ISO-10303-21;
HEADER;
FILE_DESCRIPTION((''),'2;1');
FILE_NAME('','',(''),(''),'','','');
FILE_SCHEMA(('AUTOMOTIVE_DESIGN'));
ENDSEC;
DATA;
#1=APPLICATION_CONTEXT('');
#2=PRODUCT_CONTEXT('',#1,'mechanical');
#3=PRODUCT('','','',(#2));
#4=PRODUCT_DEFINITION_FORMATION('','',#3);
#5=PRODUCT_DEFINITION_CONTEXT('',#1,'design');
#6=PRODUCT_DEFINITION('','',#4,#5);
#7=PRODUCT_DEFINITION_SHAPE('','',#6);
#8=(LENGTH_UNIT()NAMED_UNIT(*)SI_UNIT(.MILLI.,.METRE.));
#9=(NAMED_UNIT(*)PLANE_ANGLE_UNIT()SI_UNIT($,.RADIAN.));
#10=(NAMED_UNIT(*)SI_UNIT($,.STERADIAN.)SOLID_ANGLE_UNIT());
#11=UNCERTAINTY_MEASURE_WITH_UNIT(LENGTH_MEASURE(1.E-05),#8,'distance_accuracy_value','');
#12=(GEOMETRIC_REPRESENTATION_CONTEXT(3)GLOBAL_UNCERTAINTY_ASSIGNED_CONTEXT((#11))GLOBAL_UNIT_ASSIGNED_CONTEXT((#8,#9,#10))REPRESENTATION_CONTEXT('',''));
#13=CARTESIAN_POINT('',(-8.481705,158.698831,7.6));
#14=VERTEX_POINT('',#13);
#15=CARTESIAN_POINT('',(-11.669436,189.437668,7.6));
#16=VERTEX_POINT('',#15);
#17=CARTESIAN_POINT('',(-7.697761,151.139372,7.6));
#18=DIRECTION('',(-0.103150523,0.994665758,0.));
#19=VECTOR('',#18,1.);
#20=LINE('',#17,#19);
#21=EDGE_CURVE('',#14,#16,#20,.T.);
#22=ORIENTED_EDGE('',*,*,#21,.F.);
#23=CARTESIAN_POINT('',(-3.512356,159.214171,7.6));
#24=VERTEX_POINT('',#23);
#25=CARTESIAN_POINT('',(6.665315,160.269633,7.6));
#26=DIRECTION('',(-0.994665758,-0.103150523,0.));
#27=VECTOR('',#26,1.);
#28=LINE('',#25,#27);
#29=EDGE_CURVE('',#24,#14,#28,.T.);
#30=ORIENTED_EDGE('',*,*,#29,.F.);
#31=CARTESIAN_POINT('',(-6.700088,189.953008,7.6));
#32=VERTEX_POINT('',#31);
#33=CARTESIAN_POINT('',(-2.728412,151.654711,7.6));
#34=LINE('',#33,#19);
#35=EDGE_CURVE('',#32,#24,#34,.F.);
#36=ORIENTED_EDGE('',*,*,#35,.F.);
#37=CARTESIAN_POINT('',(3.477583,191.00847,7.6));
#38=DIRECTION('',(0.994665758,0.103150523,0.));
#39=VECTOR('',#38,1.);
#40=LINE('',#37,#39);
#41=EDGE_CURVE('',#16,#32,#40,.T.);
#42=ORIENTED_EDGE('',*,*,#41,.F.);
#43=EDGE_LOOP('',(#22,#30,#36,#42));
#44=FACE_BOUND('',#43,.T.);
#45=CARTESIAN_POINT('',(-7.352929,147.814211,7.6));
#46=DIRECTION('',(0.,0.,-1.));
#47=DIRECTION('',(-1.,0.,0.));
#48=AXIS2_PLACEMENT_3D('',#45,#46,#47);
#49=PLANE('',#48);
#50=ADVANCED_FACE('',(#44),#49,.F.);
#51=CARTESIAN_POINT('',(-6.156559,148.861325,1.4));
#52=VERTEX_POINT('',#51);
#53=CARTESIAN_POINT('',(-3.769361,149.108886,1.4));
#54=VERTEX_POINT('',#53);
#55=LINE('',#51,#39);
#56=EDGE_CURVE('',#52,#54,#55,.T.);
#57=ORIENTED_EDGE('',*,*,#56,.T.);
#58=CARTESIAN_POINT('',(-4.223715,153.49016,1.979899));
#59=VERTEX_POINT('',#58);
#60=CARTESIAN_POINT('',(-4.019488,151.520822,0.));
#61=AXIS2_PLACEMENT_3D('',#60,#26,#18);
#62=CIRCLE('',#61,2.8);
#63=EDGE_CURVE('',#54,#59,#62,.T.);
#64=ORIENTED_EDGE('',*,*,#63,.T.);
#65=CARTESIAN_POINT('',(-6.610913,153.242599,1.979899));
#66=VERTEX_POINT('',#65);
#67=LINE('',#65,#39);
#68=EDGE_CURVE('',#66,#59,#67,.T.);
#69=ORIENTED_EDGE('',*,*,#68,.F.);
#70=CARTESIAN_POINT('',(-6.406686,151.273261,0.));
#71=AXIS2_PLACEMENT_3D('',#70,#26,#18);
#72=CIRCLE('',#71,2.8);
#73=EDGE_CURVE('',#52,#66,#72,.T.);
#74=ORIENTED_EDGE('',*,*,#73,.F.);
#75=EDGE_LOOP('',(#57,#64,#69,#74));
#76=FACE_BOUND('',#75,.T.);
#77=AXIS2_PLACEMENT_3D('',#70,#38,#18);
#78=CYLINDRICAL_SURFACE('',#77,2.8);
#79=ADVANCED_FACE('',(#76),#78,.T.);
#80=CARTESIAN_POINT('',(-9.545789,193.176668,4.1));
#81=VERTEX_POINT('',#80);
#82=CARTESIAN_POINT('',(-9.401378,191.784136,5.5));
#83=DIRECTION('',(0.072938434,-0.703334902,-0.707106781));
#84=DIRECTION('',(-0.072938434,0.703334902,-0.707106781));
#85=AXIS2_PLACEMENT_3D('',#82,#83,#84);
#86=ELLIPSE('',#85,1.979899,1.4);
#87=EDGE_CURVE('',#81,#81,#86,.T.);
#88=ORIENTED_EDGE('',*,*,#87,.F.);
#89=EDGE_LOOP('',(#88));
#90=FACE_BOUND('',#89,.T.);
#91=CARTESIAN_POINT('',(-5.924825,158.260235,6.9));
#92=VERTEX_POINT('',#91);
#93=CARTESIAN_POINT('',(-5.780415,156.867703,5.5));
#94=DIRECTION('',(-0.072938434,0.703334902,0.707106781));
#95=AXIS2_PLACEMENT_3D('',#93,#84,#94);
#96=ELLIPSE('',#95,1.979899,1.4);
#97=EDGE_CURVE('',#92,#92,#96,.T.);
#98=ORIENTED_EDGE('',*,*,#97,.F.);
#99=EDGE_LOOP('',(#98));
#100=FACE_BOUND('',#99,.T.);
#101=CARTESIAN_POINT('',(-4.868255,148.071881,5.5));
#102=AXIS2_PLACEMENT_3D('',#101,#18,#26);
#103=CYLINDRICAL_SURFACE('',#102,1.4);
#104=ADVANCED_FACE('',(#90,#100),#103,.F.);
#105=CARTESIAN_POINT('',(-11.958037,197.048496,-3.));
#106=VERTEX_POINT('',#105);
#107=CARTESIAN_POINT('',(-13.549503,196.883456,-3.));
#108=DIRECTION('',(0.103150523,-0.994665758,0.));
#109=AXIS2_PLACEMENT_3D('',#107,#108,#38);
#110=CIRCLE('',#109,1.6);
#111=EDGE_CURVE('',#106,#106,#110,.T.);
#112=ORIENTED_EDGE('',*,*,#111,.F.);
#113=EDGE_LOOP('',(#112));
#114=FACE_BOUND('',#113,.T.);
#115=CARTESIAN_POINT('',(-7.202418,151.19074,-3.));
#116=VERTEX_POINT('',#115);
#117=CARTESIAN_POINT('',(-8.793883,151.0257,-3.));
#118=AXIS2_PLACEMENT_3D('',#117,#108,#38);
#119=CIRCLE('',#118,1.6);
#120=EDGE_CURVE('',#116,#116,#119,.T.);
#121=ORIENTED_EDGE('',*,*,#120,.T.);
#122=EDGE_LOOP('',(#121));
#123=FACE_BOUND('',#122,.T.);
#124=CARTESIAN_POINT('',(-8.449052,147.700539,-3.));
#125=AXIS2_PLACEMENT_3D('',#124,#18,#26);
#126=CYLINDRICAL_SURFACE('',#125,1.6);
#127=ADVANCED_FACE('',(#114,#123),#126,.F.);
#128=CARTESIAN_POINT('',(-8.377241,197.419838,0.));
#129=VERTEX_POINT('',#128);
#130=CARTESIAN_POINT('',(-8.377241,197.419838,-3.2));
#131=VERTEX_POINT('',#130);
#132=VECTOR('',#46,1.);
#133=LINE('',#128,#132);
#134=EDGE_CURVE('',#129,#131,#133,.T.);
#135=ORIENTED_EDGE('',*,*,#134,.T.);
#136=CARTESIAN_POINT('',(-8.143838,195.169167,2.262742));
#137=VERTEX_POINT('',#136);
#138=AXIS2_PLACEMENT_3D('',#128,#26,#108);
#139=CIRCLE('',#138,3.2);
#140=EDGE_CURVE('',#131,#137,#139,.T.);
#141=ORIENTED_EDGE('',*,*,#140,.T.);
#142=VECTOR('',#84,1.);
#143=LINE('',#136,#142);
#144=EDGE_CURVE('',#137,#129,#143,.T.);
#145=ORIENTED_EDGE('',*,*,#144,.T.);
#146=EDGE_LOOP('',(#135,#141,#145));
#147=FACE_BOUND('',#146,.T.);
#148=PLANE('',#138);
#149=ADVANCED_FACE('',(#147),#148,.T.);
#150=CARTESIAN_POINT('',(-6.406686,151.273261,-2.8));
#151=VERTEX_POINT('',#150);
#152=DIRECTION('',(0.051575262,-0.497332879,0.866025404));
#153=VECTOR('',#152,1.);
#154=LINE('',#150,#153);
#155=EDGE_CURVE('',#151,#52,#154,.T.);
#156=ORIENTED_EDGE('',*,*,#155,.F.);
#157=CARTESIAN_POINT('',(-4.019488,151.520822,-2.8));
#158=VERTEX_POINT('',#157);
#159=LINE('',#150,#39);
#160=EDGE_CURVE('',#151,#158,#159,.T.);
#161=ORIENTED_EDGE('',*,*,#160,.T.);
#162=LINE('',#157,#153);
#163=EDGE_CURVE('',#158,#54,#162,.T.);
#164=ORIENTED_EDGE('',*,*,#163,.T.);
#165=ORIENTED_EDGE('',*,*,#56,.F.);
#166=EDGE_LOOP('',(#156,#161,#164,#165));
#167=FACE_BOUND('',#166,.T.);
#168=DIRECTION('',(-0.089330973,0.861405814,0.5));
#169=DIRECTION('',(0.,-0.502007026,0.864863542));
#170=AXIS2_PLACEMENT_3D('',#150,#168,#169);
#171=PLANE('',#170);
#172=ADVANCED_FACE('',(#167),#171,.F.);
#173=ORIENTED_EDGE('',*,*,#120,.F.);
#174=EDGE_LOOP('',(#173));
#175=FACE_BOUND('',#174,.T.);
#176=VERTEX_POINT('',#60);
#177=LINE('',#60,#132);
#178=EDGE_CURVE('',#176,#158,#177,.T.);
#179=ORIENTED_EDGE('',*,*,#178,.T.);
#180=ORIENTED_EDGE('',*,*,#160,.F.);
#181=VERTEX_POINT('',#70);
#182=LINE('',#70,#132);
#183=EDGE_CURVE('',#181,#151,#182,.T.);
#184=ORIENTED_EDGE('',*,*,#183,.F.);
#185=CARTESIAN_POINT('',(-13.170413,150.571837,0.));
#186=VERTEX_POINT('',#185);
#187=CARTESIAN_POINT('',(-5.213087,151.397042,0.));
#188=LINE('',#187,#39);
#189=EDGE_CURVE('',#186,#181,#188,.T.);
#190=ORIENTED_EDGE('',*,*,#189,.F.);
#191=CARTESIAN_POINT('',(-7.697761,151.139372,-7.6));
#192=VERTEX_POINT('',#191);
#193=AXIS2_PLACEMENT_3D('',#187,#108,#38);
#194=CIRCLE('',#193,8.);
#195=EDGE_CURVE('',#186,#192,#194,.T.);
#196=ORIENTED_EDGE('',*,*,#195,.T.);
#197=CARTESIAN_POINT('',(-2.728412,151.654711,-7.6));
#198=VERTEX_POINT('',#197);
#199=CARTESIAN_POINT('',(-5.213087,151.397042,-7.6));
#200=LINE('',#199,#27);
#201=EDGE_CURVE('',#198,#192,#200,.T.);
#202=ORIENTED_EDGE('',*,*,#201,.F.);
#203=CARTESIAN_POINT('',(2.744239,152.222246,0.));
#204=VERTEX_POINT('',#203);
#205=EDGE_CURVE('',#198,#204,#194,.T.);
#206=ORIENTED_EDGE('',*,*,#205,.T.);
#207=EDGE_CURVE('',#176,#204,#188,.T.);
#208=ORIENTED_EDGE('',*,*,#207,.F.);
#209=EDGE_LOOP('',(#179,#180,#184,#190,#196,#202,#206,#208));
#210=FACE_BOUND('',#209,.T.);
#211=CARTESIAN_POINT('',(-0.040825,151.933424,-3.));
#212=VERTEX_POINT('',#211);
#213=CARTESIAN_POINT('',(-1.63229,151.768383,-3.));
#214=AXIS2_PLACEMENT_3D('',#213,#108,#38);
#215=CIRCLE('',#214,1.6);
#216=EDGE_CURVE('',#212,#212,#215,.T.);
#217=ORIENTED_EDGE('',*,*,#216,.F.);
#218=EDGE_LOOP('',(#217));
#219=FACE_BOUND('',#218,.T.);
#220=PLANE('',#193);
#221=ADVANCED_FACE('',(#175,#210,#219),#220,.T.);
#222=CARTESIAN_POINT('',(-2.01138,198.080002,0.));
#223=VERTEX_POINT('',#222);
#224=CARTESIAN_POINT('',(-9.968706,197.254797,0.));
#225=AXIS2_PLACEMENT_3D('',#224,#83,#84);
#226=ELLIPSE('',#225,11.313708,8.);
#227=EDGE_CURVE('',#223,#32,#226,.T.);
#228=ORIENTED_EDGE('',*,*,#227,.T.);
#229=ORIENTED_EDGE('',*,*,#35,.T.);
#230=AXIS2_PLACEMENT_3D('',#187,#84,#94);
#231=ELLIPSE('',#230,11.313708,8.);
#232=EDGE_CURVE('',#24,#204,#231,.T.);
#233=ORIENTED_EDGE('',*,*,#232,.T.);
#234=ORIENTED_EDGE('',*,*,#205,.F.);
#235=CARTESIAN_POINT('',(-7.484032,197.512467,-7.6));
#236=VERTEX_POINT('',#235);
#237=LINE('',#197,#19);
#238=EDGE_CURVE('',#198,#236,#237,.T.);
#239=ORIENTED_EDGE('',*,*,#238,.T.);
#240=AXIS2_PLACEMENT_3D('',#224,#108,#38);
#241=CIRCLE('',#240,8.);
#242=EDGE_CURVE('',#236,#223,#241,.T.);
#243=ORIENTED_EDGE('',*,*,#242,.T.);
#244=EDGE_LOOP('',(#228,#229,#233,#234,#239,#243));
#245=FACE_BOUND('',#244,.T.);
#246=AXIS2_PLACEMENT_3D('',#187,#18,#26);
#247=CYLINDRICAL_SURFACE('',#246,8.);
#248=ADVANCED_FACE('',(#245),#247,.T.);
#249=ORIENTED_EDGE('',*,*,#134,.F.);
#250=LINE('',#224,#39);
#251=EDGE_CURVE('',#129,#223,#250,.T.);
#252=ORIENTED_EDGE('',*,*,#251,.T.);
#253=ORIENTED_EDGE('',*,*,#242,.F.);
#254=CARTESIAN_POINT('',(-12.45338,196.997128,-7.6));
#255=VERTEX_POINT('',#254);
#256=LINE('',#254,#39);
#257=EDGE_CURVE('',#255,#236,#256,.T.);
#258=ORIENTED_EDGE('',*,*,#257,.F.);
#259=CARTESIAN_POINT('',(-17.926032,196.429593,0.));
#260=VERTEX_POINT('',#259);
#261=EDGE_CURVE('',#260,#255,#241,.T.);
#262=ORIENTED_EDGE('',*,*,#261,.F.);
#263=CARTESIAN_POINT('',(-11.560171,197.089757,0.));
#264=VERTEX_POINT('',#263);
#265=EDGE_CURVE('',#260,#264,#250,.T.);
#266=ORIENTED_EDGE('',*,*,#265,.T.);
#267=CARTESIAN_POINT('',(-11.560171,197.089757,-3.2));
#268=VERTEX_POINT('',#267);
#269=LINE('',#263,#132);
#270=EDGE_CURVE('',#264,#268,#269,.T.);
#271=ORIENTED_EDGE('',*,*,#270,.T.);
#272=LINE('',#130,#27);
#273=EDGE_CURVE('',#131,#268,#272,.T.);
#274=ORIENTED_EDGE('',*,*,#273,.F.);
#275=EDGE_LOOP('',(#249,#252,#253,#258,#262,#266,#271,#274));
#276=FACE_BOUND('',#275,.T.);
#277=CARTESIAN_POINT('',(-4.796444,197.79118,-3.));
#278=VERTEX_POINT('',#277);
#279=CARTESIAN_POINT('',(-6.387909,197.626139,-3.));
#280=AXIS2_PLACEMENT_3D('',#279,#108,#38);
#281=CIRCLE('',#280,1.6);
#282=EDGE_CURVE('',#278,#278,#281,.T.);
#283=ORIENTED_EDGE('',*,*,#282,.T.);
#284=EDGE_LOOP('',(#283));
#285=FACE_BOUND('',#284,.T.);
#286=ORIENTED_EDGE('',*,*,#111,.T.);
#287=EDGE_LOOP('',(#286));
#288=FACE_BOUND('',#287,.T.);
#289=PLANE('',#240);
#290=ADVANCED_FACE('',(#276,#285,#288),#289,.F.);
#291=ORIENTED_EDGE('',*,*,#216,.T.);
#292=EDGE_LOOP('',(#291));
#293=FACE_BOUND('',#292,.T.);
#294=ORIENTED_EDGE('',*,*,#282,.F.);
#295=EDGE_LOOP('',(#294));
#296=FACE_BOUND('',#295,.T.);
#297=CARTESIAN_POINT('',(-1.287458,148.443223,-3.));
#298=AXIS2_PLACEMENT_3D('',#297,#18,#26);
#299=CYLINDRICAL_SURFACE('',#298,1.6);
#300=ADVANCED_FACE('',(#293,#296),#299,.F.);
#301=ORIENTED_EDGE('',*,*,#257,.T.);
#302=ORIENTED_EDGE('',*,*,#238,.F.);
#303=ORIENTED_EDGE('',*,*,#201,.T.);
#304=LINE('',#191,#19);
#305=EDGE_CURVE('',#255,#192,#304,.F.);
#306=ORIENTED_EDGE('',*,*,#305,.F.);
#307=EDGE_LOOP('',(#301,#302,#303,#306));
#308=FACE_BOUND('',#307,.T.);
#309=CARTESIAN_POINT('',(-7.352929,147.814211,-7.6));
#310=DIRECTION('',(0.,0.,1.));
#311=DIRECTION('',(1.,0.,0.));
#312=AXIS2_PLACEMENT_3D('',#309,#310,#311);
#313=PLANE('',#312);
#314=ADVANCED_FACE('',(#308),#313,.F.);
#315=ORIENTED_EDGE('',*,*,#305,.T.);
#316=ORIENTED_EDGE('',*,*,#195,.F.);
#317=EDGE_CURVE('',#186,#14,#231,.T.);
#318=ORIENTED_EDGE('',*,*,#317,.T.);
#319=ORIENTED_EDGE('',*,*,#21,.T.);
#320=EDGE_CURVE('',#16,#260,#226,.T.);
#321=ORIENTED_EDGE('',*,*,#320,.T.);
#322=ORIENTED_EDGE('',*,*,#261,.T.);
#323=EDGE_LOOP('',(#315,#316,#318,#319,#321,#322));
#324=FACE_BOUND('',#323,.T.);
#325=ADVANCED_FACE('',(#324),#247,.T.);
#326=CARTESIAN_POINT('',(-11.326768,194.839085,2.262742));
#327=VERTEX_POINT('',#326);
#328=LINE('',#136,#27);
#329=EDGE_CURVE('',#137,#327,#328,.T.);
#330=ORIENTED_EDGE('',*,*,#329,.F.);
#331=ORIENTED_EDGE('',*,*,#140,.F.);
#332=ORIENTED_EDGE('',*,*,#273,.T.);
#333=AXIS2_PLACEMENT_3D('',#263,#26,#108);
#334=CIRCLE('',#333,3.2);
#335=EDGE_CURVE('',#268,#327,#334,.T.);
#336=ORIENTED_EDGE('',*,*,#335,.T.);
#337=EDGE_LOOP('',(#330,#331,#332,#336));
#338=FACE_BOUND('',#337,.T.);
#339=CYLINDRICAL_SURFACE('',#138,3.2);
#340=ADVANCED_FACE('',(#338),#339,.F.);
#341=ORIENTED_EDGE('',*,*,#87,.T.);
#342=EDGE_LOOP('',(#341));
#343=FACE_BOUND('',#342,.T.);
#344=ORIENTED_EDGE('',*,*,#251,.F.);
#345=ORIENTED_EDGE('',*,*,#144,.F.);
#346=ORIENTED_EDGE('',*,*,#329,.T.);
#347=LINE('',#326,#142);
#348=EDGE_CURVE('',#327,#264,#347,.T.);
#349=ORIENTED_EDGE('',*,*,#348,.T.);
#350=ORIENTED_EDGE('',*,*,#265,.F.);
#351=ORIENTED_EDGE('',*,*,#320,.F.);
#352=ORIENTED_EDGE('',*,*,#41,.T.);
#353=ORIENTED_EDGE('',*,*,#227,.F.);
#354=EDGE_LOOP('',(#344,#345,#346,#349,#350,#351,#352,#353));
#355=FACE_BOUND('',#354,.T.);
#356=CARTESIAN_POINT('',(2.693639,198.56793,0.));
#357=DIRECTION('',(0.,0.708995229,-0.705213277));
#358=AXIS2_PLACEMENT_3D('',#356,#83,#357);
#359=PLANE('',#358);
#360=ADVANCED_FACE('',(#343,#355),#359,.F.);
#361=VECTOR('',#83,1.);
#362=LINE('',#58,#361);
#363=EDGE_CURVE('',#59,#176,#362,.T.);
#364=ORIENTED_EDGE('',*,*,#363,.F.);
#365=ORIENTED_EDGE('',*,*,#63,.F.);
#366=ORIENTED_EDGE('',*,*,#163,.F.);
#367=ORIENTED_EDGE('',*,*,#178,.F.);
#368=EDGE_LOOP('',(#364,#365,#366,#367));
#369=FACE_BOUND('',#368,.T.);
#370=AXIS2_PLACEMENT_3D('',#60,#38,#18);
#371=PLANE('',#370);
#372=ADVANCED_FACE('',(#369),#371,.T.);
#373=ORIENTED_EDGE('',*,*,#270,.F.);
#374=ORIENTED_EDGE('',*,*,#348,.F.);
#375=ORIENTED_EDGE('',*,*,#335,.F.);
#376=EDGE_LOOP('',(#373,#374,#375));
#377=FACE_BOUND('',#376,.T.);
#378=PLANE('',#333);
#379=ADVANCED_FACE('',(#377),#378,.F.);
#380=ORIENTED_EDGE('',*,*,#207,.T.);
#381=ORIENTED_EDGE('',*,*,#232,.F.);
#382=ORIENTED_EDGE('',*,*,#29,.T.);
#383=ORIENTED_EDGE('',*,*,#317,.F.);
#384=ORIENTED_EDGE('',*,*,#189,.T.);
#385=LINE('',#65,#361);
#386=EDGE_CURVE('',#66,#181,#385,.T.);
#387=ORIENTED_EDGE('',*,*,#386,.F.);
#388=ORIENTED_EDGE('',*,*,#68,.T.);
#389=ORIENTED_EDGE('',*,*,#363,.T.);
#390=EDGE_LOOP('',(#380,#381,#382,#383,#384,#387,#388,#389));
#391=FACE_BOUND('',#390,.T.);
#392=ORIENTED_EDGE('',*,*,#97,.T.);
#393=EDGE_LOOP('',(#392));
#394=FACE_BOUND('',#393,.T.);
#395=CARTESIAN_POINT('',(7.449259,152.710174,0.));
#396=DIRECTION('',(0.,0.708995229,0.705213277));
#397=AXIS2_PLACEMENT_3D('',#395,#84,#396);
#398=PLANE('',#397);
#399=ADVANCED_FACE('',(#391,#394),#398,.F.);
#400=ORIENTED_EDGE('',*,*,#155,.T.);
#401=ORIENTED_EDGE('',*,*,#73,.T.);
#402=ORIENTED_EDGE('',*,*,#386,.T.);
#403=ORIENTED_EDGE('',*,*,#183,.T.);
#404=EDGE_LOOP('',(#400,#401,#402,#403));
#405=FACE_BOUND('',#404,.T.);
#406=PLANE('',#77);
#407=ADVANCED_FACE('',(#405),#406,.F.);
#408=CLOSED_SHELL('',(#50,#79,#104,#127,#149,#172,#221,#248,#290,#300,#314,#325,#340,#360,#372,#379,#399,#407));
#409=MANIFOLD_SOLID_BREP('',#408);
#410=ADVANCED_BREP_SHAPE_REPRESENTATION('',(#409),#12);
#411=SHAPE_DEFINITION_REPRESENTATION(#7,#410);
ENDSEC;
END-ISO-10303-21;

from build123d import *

# Parameters (mm, degrees)
SKETCH3_R               = 8
BOSS_EXTRUDE1_DEPTH     = 46.103684211
CUT_EXTRUDE1_DEPTH      = 13.730251515
CUT_EXTRUDE1_DEPTH_BACK = 13.730251515
BOSS_EXTRUDE2_DEPTH     = 1.2
CUT_EXTRUDE2_DEPTH      = 1.6
SKETCH8_R               = 1.4
SKETCH8_R_2             = 1.6
CUT_EXTRUDE3_DEPTH      = 2.64160469
CUT_EXTRUDE3_DEPTH_BACK = 50.446677335
CUT_EXTRUDE4_DEPTH      = 50.446677335


with BuildPart() as part:
    # Sketch3 → Boss-Extrude1 (new body)
    with BuildSketch(Plane(origin=(-20.344467381, 196.178792599, 0), x_dir=(-0.994665758, -0.103150523, 0), z_dir=(0.103150523, -0.994665758, 0))):
        with Locations((-10.431405186, 0)):
            Circle(SKETCH3_R)
    extrude(amount=BOSS_EXTRUDE1_DEPTH)

    # Sketch4 → Cut-Extrude1 (cut, two sides)
    with BuildSketch(Plane(origin=(10.375761543, 1.076004901, 0), x_dir=(0.103150523, -0.994665758, 0), z_dir=(-0.994665758, -0.103150523, 0))) as cut_extrude1_sk:
        Polygon((-197.230869842, 0), (-189.230869842, 8), (-197.230869842, 8), align=None)
        Polygon((-159.127185631, 8), (-151.127185631, 8), (-151.127185631, 0), align=None)
    extrude(amount=CUT_EXTRUDE1_DEPTH, mode=Mode.SUBTRACT)
    extrude(cut_extrude1_sk.sketch, amount=-CUT_EXTRUDE1_DEPTH_BACK, mode=Mode.SUBTRACT)

    # Sketch5 → Boss-Extrude2 (add, symmetric)
    with BuildSketch(Plane(origin=(10.375761543, 1.076004901, 0), x_dir=(0.103150523, -0.994665758, 0), z_dir=(-0.994665758, -0.103150523, 0))):
        with BuildLine():
            Line((-151.127185631, -2.8), (-148.702314501, 1.4))
            ThreePointArc((-148.702314501, 1.4), (-150.761712293, 2.776045612), (-153.107084619, 1.979898987))
            Line((-153.107084619, 1.979898987), (-151.127185631, 0))
            Line((-151.127185631, 0), (-151.127185631, -2.8))
        make_face()
    extrude(amount=BOSS_EXTRUDE2_DEPTH, both=True)

    # Sketch7 → Cut-Extrude2 (cut, symmetric)
    with BuildSketch(Plane(origin=(10.375761543, 1.076004901, 0), x_dir=(0.103150523, -0.994665758, 0), z_dir=(-0.994665758, -0.103150523, 0))):
        with BuildLine():
            Line((-194.968128142, 2.2627417), (-197.230869842, 0))
            Line((-197.230869842, 0), (-197.230869842, -3.2))
            ThreePointArc((-197.230869842, -3.2), (-194.274455338, -1.224586984), (-194.968128142, 2.2627417))
        make_face()
    extrude(amount=CUT_EXTRUDE2_DEPTH, both=True, mode=Mode.SUBTRACT)

    # Sketch8 → Cut-Extrude3 (cut, two sides)
    with BuildSketch(Plane(origin=(-20.344467381, 196.178792599, 0), x_dir=(0.994665758, 0.103150523, 0), z_dir=(-0.103150523, 0.994665758, 0))) as cut_extrude3_sk:
        with Locations((10.431405186, -5.5)):
            Circle(SKETCH8_R)
        with Locations((6.831405186, 3)):
            Circle(SKETCH8_R_2)
        with Locations((14.031405186, 3)):
            Circle(SKETCH8_R_2)
    extrude(amount=CUT_EXTRUDE3_DEPTH, mode=Mode.SUBTRACT)
    extrude(cut_extrude3_sk.sketch, amount=-CUT_EXTRUDE3_DEPTH_BACK, mode=Mode.SUBTRACT)

    # Sketch9 → Cut-Extrude4 (cut, through all)
    with BuildSketch(Plane(origin=(-20.344467381, 196.178792599, 0), x_dir=(0.994665758, 0.103150523, 0), z_dir=(-0.103150523, 0.994665758, 0))):
        with BuildLine():
            Line((7.933405986, 7.6), (12.929404385, 7.6))
            ThreePointArc((12.929404385, 7.6), (10.431405186, 8), (7.933405986, 7.6))
        make_face()
        with BuildLine():
            Line((7.933405986, -7.6), (12.929404385, -7.6))
            ThreePointArc((12.929404385, -7.6), (10.431405186, -8), (7.933405986, -7.6))
        make_face()
    extrude(amount=-CUT_EXTRUDE4_DEPTH, mode=Mode.SUBTRACT)


solid = part.part
